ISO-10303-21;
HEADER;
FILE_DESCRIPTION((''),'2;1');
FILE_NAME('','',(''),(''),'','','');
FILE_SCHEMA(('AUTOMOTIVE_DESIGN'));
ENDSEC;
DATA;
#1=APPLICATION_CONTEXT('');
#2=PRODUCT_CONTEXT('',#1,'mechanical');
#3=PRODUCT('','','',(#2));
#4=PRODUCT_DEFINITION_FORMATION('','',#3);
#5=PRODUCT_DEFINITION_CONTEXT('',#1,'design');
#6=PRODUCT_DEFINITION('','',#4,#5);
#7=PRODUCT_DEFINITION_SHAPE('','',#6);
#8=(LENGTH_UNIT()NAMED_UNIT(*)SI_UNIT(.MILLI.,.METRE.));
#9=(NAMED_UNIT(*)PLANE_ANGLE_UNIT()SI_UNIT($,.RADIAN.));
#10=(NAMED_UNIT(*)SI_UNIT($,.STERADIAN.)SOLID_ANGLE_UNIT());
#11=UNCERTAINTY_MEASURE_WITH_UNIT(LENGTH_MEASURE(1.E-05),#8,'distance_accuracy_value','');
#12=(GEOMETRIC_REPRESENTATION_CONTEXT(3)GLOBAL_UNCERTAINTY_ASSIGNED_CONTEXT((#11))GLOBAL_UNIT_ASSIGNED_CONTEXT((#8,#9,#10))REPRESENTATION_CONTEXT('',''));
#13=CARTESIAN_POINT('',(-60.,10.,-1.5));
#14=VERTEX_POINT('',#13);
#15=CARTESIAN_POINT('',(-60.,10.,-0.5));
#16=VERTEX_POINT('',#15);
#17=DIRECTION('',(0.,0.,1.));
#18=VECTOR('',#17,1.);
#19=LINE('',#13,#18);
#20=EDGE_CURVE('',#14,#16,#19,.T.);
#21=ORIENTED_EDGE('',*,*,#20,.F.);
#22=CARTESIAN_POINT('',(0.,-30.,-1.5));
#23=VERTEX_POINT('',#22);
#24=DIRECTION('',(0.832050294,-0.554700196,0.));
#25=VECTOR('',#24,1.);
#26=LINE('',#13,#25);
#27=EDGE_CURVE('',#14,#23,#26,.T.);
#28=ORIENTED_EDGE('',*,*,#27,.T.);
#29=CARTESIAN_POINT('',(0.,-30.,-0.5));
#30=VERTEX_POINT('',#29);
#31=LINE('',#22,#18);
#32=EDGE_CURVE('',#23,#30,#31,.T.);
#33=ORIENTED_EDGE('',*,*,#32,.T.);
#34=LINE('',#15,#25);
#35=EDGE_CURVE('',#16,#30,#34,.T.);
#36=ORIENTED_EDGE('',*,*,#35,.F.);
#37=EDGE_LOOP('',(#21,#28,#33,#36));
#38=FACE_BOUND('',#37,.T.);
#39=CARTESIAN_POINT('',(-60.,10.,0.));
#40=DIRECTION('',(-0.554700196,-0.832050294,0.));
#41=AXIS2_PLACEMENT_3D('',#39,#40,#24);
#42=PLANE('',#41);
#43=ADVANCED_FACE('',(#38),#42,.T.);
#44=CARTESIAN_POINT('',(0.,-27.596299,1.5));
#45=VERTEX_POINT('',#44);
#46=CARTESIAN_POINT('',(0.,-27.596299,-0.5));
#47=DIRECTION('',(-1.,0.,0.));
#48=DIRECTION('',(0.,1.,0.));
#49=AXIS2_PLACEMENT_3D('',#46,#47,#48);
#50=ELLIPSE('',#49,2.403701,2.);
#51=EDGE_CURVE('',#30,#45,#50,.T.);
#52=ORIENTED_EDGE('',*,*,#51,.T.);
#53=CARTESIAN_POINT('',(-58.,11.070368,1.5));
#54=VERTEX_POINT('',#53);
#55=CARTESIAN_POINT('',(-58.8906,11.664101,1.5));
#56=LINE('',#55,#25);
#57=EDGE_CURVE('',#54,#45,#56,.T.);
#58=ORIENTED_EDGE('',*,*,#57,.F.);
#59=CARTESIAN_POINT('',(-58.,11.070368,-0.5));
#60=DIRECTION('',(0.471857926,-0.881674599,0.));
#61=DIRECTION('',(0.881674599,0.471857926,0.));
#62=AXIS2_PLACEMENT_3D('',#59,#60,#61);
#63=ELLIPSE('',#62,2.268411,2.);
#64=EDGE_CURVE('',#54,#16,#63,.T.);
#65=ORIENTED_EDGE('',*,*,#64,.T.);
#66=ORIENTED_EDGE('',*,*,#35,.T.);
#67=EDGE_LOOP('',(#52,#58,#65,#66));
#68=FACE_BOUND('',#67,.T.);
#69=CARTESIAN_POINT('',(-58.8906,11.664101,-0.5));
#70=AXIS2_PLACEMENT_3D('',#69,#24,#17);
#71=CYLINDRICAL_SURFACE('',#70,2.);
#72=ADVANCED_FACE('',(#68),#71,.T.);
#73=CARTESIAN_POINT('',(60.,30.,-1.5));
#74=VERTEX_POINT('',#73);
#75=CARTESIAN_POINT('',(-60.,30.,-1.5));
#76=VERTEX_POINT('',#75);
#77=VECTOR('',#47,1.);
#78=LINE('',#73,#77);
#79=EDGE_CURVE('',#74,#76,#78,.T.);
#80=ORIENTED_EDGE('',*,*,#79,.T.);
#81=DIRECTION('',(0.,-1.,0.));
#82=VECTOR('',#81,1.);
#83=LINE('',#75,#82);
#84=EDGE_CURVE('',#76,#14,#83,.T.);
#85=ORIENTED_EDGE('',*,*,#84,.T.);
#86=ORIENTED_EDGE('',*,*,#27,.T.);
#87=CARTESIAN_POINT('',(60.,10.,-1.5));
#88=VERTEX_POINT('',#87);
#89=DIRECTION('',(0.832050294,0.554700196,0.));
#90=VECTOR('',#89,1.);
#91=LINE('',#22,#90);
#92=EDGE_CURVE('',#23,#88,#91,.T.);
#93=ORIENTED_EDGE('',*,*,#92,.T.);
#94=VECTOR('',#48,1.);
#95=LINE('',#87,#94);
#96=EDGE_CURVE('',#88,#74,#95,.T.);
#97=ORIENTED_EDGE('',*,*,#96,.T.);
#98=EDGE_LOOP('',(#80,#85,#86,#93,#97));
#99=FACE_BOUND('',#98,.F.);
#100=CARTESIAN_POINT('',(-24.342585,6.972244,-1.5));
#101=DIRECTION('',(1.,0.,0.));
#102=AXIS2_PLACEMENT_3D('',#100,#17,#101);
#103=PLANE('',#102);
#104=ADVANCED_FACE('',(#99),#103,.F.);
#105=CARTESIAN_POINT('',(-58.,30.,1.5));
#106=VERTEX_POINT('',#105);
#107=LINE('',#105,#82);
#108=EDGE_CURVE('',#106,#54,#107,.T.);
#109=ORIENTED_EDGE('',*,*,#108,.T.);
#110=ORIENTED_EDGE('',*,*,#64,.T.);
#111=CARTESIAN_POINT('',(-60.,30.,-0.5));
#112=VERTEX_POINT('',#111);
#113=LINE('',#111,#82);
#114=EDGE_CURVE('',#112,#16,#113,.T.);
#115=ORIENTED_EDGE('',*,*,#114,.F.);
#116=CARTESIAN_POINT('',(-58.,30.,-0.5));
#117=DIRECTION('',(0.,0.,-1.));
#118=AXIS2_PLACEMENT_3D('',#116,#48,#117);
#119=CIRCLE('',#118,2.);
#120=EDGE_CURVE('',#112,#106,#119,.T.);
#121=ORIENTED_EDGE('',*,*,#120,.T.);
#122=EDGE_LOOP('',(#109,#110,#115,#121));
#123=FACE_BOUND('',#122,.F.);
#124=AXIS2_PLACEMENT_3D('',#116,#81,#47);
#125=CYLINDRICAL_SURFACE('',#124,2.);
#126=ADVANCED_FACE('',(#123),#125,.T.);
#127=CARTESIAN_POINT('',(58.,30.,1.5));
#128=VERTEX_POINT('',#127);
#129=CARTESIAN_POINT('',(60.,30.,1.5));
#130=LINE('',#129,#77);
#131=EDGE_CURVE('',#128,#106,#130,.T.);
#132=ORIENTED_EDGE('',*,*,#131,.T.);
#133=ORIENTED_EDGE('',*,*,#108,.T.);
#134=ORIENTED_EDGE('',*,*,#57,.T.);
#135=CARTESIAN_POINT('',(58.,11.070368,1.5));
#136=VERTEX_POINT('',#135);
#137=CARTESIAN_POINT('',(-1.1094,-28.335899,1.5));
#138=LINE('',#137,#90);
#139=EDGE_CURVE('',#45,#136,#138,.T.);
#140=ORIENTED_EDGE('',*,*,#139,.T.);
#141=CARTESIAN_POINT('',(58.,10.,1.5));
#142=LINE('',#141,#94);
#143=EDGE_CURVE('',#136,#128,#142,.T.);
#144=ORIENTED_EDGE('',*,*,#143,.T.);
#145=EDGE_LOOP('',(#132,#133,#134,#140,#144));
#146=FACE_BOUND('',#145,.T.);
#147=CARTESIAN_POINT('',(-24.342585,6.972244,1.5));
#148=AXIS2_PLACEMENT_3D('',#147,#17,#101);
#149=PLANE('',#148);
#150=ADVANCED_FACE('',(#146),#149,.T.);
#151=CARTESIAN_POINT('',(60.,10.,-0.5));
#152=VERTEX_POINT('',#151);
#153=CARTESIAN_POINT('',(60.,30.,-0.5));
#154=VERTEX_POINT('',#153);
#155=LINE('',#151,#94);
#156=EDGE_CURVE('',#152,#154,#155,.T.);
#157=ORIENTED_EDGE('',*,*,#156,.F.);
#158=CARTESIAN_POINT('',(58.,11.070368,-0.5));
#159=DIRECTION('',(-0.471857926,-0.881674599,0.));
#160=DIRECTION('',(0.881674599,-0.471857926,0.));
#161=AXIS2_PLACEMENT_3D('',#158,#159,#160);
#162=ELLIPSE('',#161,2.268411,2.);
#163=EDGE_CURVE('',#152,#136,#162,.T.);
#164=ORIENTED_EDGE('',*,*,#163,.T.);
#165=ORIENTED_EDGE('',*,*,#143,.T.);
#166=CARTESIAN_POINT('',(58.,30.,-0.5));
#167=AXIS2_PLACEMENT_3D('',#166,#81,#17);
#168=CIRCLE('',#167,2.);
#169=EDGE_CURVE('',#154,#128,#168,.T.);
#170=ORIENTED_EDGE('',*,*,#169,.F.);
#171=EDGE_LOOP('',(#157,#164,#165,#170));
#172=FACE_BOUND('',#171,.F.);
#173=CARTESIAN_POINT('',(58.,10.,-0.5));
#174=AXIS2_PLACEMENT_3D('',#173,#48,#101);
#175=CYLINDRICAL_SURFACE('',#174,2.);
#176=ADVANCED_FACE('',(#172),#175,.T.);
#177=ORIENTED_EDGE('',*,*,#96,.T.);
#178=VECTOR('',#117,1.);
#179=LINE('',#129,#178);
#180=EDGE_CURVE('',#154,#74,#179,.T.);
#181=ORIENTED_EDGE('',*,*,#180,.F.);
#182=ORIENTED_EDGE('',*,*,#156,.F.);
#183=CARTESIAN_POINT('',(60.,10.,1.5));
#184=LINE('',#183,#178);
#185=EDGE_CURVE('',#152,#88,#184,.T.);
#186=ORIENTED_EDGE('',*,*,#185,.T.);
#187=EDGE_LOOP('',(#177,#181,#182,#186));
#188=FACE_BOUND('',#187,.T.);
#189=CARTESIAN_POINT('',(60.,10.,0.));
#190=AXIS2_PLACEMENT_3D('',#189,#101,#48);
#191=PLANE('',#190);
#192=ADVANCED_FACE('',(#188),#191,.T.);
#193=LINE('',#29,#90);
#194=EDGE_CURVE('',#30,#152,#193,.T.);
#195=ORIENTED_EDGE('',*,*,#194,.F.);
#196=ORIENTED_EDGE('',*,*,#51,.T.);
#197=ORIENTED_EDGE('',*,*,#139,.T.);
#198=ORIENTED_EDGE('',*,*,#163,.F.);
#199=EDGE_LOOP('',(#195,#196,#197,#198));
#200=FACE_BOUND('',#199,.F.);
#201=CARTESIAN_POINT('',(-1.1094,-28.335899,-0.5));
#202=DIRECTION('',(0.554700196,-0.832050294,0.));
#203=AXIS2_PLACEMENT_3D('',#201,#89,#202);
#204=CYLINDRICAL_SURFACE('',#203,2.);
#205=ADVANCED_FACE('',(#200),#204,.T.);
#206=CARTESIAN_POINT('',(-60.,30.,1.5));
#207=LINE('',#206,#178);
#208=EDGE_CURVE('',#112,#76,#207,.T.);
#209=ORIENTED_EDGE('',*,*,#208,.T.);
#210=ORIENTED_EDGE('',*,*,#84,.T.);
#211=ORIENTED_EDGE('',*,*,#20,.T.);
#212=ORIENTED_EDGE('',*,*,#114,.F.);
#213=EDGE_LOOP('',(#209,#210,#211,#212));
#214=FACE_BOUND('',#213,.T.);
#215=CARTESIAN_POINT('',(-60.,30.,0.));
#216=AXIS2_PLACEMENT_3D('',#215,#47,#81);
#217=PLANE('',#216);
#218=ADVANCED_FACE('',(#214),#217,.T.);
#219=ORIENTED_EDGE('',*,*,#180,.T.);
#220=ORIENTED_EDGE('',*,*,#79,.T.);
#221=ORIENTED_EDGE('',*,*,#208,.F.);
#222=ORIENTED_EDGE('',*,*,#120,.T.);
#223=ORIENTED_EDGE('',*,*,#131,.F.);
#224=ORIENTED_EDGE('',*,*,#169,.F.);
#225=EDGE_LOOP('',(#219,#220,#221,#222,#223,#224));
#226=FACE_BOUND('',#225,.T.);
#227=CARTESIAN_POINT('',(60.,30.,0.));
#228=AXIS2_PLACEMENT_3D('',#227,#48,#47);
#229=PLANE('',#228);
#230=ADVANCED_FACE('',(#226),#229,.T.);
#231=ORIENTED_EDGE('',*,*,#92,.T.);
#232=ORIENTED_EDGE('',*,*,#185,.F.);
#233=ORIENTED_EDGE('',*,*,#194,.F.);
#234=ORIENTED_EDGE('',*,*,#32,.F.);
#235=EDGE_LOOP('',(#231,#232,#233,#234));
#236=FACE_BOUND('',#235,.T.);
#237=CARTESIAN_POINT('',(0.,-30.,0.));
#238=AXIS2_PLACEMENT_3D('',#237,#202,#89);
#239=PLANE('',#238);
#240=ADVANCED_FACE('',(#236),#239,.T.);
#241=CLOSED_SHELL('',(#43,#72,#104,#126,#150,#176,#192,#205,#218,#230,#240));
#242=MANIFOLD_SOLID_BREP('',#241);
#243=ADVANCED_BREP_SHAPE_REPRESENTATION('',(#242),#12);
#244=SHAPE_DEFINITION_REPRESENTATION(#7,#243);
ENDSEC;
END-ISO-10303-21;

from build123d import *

# Parameters (mm, degrees)
F1_DEPTH = 1.5
F2_R     = 2


with BuildPart() as f1:
    # F0 (on Top) → F1 (new body, symmetric)
    with BuildSketch(Plane.XY):
        Polygon((0, 30), (-60, 30), (-60, 10), (0, -30), align=None)
        Polygon((60, 30), (0, 30), (0, -30), (60, 10), align=None)
    extrude(amount=F1_DEPTH, both=True)

    # F2
    f2_edges = [f1.edges().sort_by_distance(p)[0] for p in [
        (30, -10, 1.5),
        (-30, -10, 1.5),
        (-60, 20, 1.5),
        (60, 20, 1.5),
    ]]
    fillet(f2_edges, radius=F2_R)


solid = f1.part
